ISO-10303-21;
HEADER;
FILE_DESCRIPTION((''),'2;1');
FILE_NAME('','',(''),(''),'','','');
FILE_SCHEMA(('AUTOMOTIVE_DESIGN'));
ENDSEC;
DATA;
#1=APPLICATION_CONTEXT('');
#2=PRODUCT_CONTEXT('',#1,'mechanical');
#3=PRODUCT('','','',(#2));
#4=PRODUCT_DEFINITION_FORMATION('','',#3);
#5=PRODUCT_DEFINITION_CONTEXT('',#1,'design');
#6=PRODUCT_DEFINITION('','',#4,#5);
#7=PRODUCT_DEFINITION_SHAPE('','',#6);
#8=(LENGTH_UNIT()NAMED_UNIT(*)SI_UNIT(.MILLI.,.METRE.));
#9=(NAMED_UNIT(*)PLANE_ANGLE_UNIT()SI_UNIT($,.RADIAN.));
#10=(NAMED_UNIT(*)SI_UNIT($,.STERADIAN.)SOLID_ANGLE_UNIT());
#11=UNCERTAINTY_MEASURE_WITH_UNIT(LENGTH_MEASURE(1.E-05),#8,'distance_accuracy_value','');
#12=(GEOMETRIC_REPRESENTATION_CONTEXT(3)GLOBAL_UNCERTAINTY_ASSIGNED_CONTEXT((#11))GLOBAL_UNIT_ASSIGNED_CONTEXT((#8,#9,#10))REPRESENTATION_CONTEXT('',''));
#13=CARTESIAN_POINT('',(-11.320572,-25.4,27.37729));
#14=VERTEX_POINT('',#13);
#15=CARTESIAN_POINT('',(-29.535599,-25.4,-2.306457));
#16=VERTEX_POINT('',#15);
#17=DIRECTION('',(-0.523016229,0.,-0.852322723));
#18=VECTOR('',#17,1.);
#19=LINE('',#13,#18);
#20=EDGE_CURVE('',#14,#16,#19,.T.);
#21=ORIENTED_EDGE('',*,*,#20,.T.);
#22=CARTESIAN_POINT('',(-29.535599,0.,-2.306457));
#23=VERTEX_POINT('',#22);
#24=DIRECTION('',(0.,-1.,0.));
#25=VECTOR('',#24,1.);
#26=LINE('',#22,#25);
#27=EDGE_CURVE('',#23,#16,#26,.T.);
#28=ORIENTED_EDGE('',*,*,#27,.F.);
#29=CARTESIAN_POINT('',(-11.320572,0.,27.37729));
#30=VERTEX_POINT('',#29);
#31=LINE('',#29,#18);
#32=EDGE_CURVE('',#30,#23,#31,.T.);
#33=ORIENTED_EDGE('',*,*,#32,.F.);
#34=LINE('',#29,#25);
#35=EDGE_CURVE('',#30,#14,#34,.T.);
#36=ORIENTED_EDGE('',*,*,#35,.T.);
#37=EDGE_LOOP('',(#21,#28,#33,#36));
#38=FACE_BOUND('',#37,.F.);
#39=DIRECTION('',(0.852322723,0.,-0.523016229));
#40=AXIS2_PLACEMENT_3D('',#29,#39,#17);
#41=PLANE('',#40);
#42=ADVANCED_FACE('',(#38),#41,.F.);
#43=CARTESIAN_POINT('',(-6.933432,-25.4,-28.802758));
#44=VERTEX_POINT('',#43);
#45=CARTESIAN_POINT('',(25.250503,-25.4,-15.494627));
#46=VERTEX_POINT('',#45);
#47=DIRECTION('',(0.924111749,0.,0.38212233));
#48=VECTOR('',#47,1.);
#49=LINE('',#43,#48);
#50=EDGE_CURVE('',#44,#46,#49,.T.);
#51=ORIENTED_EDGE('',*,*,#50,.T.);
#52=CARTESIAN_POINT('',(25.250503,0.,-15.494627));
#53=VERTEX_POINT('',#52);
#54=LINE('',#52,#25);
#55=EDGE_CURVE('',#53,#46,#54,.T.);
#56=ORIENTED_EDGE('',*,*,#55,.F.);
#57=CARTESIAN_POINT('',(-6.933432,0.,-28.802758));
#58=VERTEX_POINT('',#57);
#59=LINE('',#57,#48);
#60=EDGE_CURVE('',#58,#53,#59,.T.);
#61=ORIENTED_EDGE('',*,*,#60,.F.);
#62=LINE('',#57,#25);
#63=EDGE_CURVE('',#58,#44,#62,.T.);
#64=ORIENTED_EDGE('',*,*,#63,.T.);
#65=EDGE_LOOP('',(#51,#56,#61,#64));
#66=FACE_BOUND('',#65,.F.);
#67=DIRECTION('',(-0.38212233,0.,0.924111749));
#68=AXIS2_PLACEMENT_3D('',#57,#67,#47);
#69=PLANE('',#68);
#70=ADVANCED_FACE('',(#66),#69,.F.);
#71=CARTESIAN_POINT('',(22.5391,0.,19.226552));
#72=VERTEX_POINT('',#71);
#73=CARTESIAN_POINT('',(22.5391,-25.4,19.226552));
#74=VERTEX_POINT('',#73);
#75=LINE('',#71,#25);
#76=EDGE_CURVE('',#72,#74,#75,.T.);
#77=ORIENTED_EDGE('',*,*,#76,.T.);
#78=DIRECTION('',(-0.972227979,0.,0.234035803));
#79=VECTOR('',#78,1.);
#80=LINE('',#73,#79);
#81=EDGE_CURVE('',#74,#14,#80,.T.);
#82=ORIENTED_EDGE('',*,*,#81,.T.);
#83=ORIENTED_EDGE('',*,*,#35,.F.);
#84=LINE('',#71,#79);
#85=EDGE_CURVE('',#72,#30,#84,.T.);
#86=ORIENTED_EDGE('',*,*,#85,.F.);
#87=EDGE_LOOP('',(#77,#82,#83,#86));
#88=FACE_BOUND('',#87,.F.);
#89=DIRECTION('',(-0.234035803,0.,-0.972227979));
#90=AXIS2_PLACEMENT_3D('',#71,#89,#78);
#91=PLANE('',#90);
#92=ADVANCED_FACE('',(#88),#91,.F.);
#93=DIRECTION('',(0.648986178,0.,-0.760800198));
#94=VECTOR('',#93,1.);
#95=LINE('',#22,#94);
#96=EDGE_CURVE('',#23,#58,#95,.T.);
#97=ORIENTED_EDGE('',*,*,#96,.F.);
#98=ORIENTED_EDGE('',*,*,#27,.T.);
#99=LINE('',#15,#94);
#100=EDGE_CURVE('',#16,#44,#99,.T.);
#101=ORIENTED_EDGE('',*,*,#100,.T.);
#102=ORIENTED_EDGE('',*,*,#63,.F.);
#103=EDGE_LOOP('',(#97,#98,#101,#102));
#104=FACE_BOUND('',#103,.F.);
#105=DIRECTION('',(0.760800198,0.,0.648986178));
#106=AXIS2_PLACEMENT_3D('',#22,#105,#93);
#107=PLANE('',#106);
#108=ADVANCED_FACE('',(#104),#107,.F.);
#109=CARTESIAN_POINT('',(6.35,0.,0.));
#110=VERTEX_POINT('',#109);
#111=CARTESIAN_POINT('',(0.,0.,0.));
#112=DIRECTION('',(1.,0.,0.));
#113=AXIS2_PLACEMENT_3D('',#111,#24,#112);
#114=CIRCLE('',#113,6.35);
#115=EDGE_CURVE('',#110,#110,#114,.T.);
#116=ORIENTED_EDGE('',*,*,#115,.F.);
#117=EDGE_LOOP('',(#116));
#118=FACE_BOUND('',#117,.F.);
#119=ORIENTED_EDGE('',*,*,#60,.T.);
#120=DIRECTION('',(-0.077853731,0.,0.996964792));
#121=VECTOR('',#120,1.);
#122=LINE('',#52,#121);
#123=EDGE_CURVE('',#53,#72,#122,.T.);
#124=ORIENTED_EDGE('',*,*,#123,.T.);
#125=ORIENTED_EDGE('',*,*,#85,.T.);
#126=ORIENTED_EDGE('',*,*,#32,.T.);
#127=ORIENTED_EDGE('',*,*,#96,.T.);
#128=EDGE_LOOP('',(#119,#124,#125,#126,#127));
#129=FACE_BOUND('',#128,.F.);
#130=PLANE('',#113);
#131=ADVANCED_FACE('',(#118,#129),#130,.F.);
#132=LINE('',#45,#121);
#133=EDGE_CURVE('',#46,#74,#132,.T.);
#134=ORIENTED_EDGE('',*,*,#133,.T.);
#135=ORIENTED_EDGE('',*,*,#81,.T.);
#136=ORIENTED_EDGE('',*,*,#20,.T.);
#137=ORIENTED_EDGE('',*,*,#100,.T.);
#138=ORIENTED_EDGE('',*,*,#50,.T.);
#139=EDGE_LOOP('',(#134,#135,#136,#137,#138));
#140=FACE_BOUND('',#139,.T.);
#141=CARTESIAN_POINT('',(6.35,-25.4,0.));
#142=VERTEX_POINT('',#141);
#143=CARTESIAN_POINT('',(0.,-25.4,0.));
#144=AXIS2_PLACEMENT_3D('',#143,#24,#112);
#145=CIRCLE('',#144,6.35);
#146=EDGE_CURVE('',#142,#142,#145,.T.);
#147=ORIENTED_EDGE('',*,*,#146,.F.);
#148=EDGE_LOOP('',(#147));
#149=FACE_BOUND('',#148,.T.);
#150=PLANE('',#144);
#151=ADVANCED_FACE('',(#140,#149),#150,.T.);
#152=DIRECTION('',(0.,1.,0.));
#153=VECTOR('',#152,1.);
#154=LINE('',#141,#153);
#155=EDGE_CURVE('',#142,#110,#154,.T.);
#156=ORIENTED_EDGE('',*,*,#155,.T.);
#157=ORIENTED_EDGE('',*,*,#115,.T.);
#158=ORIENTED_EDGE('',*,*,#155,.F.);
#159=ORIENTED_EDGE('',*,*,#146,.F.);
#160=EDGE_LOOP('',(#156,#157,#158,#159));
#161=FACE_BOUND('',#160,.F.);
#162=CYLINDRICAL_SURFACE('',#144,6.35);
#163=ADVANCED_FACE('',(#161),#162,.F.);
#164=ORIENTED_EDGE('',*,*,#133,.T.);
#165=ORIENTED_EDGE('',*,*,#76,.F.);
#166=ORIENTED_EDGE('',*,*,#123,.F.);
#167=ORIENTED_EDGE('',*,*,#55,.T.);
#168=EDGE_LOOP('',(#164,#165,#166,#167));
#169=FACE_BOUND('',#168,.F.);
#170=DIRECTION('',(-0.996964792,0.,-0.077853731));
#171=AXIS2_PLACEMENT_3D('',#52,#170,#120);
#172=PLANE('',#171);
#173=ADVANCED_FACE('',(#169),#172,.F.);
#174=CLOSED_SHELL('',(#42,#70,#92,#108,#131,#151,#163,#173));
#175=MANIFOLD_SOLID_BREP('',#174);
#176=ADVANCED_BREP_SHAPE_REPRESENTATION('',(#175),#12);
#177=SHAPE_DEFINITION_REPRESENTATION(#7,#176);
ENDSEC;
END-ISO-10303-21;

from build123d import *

# Parameters (mm, degrees)
F1_DEPTH = 25.4
F2_R     = 6.35
F3_DEPTH = 25.4


with BuildPart() as f1:
    # F0 (on Front) → F1 (new body)
    with BuildSketch(Plane.XZ):
        Polygon((-11.320572, 27.37729), (-29.535599, -2.306457), (-6.933432, -28.802758), (25.250503, -15.494627), (22.5391, 19.226552), align=None)
    extrude(amount=F1_DEPTH)

    # F2 (on face) → F3 (cut)
    with BuildSketch(Plane.XZ.offset(25.4)):
        Circle(F2_R)
    extrude(amount=-F3_DEPTH, mode=Mode.SUBTRACT)


solid = f1.part
